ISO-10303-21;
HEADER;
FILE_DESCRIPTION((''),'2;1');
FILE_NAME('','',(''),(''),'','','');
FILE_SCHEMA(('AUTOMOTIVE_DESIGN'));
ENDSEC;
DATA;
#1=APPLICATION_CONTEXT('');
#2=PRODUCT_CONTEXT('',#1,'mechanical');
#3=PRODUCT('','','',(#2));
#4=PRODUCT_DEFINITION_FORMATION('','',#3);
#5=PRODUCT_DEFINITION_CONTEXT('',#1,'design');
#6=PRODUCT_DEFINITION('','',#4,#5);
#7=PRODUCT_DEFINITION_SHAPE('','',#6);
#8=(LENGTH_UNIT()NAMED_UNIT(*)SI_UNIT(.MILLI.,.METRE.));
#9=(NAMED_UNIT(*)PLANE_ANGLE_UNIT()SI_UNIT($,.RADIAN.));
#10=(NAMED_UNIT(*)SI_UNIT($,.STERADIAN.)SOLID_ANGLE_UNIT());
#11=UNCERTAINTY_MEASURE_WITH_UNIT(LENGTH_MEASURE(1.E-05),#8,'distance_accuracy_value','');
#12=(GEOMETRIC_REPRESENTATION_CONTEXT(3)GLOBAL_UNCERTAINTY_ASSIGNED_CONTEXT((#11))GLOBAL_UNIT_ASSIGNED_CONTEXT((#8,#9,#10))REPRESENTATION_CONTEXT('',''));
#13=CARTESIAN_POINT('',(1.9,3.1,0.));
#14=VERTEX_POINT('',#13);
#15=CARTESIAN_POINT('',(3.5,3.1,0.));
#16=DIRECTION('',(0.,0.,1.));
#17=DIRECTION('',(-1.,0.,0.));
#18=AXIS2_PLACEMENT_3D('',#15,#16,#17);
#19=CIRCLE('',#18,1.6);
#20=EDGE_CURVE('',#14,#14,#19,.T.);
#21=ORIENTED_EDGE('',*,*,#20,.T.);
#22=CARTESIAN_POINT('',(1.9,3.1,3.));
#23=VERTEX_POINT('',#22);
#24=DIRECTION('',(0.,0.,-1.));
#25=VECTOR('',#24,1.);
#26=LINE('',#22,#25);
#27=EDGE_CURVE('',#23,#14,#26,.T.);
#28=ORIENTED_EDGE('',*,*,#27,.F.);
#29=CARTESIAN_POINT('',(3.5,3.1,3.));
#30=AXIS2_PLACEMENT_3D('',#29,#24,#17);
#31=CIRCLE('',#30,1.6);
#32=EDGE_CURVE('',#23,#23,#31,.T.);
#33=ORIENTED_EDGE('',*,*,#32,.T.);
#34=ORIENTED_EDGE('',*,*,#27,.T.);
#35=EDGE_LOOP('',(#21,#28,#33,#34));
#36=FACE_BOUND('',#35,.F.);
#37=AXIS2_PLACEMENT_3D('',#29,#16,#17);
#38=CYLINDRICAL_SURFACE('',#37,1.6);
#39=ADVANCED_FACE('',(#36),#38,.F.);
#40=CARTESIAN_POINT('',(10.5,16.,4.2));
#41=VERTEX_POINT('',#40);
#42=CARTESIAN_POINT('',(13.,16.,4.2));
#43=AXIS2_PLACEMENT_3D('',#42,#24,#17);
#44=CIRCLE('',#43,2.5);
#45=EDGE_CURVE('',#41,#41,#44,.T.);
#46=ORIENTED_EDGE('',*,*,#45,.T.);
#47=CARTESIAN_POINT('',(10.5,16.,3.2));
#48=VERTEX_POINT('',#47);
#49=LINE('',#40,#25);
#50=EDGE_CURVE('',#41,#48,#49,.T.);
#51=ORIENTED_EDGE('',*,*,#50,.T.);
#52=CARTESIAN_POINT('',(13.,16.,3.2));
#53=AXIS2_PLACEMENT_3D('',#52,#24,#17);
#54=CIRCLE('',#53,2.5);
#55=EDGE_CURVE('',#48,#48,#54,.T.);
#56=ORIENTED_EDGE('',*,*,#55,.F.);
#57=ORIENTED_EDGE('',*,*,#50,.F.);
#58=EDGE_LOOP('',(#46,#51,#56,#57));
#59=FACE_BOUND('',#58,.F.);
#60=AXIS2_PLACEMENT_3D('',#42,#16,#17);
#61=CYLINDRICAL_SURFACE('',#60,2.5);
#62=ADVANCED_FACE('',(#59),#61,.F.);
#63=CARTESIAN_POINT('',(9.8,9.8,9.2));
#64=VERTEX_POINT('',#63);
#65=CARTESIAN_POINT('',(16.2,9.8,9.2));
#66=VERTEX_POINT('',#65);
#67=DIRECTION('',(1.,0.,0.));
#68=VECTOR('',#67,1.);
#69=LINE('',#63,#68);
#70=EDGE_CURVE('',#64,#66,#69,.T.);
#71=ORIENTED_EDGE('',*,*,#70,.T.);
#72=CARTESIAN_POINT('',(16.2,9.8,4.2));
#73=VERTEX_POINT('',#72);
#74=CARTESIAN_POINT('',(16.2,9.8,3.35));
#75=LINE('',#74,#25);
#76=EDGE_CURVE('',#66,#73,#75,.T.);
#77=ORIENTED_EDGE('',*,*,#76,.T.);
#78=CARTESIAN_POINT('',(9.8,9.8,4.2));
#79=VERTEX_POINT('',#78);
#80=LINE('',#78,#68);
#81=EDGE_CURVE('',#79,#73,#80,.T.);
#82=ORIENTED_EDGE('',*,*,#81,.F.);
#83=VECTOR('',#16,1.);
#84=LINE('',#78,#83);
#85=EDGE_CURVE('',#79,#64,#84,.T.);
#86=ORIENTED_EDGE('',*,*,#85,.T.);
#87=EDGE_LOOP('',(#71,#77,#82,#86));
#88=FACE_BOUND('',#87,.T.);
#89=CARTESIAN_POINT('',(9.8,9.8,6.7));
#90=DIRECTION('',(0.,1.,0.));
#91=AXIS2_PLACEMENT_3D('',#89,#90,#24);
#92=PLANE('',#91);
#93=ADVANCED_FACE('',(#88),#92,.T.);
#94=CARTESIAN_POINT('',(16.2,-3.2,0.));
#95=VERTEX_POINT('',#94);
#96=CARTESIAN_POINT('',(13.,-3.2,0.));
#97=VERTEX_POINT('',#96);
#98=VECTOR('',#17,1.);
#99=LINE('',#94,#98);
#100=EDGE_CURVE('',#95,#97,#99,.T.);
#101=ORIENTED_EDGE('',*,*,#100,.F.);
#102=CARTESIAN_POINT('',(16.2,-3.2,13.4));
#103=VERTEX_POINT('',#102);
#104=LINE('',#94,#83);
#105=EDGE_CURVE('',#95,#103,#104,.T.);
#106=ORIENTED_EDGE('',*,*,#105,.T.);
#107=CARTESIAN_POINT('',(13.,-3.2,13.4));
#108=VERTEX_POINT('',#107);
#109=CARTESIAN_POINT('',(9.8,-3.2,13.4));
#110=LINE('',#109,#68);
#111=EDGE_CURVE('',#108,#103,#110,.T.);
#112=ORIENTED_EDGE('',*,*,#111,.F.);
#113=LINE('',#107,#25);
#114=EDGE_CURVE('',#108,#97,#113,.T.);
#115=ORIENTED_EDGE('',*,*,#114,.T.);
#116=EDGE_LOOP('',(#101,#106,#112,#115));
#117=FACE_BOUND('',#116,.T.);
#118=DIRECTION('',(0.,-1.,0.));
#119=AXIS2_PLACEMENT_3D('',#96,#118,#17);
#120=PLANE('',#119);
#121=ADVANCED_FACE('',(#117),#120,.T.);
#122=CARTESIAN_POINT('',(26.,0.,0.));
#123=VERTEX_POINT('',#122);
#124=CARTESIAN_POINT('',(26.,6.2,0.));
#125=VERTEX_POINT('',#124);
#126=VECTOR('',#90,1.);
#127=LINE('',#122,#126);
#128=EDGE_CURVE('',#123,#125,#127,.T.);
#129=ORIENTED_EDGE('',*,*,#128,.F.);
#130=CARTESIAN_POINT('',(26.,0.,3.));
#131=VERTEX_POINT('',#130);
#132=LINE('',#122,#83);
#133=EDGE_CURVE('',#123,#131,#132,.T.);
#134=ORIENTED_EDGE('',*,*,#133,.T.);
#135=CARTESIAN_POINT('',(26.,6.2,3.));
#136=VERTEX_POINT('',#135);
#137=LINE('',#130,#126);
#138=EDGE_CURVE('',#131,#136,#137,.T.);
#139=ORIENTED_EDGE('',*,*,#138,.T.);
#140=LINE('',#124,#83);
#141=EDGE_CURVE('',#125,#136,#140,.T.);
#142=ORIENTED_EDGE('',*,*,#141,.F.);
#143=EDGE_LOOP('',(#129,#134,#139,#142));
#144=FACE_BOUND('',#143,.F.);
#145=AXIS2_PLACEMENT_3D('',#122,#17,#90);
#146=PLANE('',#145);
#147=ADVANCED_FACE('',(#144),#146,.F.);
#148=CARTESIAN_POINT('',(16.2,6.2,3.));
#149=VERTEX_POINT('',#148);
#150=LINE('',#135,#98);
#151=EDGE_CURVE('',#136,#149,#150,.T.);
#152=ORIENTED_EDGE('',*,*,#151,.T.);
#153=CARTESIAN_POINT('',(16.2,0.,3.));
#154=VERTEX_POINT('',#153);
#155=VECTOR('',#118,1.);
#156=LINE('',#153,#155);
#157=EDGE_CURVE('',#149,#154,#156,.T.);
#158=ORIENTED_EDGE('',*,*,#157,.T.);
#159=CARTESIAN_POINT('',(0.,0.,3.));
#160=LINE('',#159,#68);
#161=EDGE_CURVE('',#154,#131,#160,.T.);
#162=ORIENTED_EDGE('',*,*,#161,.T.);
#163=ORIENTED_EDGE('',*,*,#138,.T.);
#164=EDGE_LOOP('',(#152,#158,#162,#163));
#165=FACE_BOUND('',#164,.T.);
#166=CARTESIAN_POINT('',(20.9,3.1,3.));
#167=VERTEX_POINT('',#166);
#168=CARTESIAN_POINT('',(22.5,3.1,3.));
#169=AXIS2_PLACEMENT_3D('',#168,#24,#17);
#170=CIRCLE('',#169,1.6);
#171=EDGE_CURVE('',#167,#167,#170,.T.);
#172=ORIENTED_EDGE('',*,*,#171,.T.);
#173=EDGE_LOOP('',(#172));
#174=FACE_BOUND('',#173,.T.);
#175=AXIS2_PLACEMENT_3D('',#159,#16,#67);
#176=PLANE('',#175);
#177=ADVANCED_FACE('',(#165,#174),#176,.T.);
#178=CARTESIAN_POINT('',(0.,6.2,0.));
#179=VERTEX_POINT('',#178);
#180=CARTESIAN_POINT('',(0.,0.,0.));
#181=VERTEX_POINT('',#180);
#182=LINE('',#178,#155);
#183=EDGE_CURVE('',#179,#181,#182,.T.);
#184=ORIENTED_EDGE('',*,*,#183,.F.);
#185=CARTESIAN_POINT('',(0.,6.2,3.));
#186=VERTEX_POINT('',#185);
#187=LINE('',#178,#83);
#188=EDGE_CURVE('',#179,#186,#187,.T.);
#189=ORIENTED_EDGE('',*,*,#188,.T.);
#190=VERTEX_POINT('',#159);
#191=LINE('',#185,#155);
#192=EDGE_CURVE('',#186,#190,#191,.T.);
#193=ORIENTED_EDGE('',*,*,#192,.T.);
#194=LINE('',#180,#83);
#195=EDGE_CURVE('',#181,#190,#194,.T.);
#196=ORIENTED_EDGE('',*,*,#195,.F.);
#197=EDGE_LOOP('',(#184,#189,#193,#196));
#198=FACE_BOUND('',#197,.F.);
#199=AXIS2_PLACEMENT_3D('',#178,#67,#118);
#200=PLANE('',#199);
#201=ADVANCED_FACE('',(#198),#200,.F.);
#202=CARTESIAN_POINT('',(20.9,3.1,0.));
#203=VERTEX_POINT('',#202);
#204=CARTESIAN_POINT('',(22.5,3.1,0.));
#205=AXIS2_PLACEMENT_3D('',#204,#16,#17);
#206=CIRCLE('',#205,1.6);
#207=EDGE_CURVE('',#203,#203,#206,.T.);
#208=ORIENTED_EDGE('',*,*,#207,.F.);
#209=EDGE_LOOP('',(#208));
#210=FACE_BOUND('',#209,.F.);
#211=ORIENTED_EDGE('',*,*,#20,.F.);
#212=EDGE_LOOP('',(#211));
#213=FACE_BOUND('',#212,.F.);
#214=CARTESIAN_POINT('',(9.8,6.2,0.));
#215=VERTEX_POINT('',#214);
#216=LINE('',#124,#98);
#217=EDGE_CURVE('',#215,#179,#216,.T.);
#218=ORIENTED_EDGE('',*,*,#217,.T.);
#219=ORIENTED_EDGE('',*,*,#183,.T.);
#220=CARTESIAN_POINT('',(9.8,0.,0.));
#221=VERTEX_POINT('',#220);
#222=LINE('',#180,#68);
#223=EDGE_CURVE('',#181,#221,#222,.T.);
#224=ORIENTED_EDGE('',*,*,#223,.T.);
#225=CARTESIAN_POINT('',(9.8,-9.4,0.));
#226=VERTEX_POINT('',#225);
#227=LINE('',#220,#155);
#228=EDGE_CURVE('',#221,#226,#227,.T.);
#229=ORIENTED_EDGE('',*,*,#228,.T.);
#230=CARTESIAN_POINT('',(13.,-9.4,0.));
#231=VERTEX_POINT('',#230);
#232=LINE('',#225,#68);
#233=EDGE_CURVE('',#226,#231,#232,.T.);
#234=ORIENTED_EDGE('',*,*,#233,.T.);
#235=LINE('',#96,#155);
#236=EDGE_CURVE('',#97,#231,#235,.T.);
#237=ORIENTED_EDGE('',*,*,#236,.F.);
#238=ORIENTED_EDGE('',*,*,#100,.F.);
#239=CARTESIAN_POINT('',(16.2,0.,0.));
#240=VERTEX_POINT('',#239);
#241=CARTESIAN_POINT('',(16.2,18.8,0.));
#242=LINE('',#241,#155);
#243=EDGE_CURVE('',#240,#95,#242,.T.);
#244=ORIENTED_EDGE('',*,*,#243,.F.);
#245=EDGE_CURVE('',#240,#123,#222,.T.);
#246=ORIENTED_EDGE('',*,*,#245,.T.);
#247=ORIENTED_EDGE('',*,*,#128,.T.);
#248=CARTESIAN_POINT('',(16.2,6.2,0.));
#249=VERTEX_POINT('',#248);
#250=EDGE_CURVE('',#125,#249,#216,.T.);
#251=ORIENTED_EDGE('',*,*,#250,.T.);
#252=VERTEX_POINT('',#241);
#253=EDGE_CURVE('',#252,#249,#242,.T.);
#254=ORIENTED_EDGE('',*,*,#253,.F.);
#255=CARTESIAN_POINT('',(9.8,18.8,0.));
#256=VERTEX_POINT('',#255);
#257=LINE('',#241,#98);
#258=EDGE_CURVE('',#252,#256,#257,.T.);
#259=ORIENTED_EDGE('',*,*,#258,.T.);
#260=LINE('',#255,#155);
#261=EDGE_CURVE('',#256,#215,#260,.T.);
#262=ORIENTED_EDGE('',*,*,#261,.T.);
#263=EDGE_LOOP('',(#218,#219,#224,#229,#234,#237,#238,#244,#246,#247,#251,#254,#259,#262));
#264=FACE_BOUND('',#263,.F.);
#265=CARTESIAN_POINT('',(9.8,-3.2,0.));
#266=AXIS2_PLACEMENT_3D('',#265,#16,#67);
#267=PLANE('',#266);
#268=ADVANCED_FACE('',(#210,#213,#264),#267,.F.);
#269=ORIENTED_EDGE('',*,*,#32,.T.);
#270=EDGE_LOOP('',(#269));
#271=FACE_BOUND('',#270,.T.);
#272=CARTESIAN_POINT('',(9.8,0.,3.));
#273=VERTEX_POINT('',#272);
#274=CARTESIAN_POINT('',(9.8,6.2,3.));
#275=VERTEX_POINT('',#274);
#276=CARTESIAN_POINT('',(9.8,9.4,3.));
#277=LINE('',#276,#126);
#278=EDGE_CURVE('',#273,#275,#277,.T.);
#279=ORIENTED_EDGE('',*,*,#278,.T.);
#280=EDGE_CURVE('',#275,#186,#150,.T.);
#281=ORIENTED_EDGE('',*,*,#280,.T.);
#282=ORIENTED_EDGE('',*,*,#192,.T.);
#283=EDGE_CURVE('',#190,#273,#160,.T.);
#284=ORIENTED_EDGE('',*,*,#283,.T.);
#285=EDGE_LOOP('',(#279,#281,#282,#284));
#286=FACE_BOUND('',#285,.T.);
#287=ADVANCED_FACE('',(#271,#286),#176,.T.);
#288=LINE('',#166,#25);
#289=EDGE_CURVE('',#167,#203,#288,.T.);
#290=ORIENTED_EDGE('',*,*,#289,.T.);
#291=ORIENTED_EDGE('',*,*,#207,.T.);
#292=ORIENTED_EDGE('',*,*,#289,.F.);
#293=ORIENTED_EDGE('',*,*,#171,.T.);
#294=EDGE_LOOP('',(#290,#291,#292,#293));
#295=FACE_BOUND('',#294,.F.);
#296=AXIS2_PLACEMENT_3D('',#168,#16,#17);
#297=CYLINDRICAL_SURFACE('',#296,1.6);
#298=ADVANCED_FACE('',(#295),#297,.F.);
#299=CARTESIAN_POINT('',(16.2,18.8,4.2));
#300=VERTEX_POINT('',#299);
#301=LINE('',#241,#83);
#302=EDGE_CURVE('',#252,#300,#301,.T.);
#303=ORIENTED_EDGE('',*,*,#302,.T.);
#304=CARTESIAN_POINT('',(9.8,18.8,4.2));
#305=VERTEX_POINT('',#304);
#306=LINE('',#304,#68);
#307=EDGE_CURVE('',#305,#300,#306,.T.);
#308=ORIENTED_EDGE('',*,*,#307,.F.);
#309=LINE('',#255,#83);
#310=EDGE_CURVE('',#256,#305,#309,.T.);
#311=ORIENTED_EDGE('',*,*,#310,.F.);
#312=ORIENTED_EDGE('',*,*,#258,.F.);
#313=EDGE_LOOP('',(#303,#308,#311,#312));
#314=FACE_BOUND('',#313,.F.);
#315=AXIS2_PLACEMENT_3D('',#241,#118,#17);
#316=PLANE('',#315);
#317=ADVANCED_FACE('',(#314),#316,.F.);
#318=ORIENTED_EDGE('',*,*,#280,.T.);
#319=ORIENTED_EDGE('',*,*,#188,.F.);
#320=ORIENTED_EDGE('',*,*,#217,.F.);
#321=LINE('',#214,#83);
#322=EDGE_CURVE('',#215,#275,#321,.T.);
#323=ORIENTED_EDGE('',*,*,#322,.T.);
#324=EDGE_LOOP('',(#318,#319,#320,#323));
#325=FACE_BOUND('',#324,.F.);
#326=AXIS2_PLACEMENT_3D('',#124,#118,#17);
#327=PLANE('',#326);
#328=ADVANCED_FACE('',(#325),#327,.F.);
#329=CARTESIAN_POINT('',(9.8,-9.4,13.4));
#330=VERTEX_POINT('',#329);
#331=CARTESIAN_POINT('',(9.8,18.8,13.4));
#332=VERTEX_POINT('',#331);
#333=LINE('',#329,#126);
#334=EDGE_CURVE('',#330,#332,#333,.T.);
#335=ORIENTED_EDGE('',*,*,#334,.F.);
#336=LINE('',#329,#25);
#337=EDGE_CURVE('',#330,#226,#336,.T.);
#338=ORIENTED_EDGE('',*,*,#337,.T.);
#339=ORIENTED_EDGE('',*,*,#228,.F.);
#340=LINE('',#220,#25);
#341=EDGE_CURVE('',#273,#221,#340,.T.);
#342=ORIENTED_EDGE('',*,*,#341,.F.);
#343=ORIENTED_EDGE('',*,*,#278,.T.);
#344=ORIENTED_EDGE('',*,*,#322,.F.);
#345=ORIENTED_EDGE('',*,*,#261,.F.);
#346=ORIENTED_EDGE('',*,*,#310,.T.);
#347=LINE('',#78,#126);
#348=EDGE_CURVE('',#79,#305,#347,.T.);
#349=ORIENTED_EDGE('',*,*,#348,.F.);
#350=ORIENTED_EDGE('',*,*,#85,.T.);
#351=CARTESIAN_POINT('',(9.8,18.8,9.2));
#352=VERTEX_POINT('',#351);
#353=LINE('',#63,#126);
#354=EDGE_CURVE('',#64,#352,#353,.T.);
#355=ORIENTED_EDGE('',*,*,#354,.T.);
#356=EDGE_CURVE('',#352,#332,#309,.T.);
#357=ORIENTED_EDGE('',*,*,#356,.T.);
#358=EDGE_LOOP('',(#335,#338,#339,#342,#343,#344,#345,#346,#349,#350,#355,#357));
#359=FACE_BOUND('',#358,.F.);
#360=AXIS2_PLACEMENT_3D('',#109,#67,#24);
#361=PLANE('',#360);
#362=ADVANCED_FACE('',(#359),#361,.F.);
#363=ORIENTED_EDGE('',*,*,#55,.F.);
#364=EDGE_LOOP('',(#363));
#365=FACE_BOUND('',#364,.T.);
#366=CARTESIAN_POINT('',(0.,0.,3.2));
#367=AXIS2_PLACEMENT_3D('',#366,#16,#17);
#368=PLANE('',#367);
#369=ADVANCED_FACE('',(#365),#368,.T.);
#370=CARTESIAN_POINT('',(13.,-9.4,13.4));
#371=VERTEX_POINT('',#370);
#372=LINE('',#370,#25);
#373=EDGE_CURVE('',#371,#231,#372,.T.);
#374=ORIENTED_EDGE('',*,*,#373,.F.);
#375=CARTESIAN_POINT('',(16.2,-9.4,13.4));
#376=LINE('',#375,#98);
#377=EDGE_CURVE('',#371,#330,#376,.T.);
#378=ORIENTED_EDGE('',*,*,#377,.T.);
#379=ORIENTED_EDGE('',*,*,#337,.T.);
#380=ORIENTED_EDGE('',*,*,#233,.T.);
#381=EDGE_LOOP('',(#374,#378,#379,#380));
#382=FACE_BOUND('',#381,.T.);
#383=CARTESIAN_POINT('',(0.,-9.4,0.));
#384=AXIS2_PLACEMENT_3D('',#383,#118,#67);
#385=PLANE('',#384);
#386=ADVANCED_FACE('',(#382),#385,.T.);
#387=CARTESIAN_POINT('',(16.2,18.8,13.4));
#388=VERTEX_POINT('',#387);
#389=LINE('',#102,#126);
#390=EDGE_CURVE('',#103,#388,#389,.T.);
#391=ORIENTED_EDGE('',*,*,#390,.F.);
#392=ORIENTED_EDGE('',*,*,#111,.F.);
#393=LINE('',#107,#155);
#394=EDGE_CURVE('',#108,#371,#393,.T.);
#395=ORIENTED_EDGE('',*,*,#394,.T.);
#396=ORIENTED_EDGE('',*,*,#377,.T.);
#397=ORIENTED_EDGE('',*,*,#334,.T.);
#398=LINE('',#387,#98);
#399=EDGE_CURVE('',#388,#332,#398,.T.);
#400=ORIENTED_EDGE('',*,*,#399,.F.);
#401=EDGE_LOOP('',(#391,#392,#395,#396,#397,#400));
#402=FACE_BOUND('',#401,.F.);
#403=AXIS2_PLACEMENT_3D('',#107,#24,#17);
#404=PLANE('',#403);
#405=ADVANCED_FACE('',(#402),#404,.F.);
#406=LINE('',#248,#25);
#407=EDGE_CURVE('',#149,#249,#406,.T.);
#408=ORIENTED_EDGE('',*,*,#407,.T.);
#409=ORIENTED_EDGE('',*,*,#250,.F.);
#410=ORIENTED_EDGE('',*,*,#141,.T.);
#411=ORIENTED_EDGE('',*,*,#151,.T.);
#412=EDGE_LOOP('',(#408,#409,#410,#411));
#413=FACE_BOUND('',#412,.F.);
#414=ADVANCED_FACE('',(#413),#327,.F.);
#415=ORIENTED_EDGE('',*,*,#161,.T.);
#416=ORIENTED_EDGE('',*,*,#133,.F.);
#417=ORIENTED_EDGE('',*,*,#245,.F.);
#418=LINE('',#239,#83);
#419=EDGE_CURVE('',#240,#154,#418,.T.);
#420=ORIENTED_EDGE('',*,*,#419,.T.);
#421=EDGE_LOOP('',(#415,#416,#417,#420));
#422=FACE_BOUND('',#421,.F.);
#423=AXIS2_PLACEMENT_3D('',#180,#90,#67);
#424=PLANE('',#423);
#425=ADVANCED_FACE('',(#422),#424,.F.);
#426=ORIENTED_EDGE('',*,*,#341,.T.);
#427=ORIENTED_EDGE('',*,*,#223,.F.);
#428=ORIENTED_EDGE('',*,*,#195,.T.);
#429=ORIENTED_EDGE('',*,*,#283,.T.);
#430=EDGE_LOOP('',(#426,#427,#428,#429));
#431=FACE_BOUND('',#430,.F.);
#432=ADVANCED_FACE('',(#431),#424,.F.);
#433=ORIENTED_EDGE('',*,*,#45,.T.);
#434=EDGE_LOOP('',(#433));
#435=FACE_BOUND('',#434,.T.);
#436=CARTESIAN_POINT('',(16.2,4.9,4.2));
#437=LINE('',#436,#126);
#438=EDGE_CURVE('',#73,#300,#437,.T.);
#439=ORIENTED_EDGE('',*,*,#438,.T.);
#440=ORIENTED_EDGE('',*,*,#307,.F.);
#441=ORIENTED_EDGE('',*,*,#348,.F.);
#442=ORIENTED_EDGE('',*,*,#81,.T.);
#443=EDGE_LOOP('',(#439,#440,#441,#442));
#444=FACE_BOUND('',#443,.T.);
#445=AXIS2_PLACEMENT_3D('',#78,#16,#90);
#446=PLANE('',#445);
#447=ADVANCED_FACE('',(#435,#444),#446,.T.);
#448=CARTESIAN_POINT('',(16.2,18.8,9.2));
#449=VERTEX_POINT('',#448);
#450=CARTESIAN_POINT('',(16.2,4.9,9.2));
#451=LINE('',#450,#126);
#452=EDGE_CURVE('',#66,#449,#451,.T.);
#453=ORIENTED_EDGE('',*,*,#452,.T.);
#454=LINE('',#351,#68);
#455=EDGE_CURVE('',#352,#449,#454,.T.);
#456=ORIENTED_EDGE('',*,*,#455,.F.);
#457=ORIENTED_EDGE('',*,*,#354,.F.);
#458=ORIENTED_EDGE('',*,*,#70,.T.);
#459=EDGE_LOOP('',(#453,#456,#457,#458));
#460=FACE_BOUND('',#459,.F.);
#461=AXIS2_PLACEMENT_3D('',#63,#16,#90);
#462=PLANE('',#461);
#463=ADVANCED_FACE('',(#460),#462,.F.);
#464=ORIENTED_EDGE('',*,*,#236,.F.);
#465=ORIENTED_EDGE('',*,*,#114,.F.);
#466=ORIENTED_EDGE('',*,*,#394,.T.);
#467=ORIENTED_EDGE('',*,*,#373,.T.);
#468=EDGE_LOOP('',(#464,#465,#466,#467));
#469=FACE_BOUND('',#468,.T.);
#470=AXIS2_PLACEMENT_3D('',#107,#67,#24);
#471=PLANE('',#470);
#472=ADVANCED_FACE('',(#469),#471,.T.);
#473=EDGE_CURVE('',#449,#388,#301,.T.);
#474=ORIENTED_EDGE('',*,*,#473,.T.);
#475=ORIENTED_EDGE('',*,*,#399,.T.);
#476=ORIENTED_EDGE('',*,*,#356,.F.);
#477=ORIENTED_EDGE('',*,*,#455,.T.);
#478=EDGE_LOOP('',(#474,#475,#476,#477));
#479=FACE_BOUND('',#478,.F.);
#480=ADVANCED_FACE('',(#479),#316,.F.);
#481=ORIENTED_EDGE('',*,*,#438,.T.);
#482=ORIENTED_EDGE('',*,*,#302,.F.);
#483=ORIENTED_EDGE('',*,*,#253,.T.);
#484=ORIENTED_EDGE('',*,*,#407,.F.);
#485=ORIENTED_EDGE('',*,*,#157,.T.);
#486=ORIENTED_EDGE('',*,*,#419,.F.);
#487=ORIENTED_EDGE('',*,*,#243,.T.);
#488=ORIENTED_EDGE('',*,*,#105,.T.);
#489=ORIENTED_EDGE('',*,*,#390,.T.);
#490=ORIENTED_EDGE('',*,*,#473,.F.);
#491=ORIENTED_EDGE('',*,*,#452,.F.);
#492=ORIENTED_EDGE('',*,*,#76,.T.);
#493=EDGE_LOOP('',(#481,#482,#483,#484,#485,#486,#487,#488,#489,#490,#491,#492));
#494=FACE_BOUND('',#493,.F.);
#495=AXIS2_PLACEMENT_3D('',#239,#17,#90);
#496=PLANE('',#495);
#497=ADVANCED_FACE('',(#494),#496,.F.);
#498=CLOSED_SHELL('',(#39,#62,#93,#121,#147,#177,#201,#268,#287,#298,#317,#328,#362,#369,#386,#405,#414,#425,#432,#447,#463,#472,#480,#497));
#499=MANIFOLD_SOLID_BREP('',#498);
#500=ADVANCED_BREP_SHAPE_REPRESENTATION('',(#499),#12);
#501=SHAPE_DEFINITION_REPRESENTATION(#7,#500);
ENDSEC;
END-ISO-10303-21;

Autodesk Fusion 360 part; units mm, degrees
sketch "Sketch1" plane through (0, 0, 0) normal (0, 0, 1) x (1, 0, 0)
  line L0 (0, 0) -> (26, 0)
  line L1 (26, 0) -> (26, 6.2)
  line L2 (26, 6.2) -> (0, 6.2)
  line L3 (0, 6.2) -> (0, 0)
  dimension "d1" = 26
  dimension "d2" = 6.2
extrude "Extrude1" add sketch "Sketch1" along normal blind 3
sketch "Sketch2" plane through (0, 0, 0) normal (0, 0, 1) x (1, 0, 0)
  line L0 (0, 0) -> (13, 0)
  line L1 (13, 0) -> (13, -3.2)
  line L2 (13, -3.2) -> (9.8, -3.2)
  line L3 (9.8, -3.2) -> (9.8, 0)
  line L4 (9.8, 0) -> (13, 0)
  line L5 (13, 0) -> (13, -3.2)
  line L6 (13, -3.2) -> (16.2, -3.2)
  line L7 (16.2, -3.2) -> (16.2, 0)
  line L8 (16.2, 0) -> (13, 0)
  line L9 (13, 0) -> (13, -3.2)
  line L10 (9.8, -3.2) -> (16.2, -3.2)
  line L11 (16.2, -3.2) -> (16.2, 18.8)
  line L12 (16.2, 18.8) -> (9.8, 18.8)
  line L13 (9.8, 18.8) -> (9.8, -3.2)
  dimension "d5" = 13
  dimension "d6" = 3.2
  dimension "d7" = 3.2
  dimension "d8" = 3.2
  dimension "d9" = 6.4
  dimension "d10" = 22
extrude "Extrude2" add sketch "Sketch2" along normal blind 13.4
sketch "Sketch3" plane through (0, -3.2, 0) normal (0, -1, 0) x (1, 0, 0)
  line L0 (9.8, 0) -> (16.2, 0)
  line L1 (16.2, 0) -> (16.2, 13.4)
  line L2 (16.2, 13.4) -> (9.8, 13.4)
  line L3 (9.8, 13.4) -> (9.8, 0)
  line L4 (9.8, 13.4) -> (13, 13.4)
  line L5 (13, 13.4) -> (13, 0)
  line L6 (13, 0) -> (9.8, 0)
  line L7 (9.8, 0) -> (9.8, 13.4)
extrude "Extrude3" add sketch "Sketch3" along normal blind 6.2 contours L0 L2 L3 L4 L5 L6 L7
sketch "Sketch4" plane through (0, 0, 3) normal (0, 0, 1) x (-1, 0, 0)
  line L0 (-9.8, 0) -> (-9.8, -6.2)
  line L1 (-9.8, -6.2) -> (0, -6.2)
  line L2 (0, -6.2) -> (0, 0)
  line L3 (0, 0) -> (-9.8, 0)
  line L4 (-13, 3) -> (-13, -19)
  line L5 (-13, -19) -> (-13, 3)
  line L6 (0, -3.1) -> (-26, -3.1)
  line L7 (-13, -3.1) -> (-3.5, -3.1)
  line L8 (-13, -3.1) -> (-22.5, -3.1)
  circle A0 centre (-3.5, -3.1) radius 1.6
  circle A1 centre (-22.5, -3.1) radius 1.6
  dimension "d15" = 9.5
  dimension "d16" = 9.5
  dimension "d17" = 3.2
  dimension "d18" = 3.2
extrude "Extrude4" cut sketch "Sketch4" against normal blind 17 contours L6 L8 A1 | L6 L8 A1 | L6 L7 A0 | L6 L7 A0
sketch "Sketch5" plane through (9.8, 0, 0) normal (-1, 0, 0) x (0, -1, 0)
  line L0 (-6.2, 0) -> (-6.2, 3)
  line L1 (-6.2, 3) -> (0, 3)
  line L2 (0, 3) -> (0, 0)
  line L3 (0, 0) -> (9.4, 0)
  line L4 (9.4, 0) -> (9.4, 13.4)
  line L5 (9.4, 13.4) -> (-18.8, 13.4)
  line L6 (-18.8, 13.4) -> (-18.8, 0)
  line L7 (-18.8, 0) -> (-6.2, 0)
  line L8 (-18.8, 6.7) -> (-9.8, 6.7)
  line L9 (-9.8, 6.7) -> (-9.8, 9.2)
  line L10 (-9.8, 9.2) -> (-18.8, 9.2)
  line L11 (-18.8, 9.2) -> (-18.8, 6.7)
  line L12 (-18.8, 6.7) -> (-9.8, 6.7)
  line L13 (-9.8, 6.7) -> (-9.8, 4.2)
  line L14 (-9.8, 4.2) -> (-18.8, 4.2)
  line L15 (-18.8, 4.2) -> (-18.8, 6.7)
  dimension "d21" = 9
  dimension "d22" = 2.5
  dimension "d23" = 2.5
extrude "Extrude5" cut sketch "Sketch5" against normal blind 17 contours L6 L8 L12 L13 L14 L15 | L6 L8 L9 L10 L11 L12
sketch "Sketch6" plane through (0, 0, 4.2) normal (0, 0, 1) x (-1, 0, 0)
  line L0 (-16.2, -9.8) -> (-16.2, -18.8)
  line L1 (-16.2, -18.8) -> (-9.8, -18.8)
  line L2 (-9.8, -18.8) -> (-9.8, -9.8)
  line L3 (-9.8, -9.8) -> (-16.2, -9.8)
  line L4 (-13, -3) -> (-13, -16)
  circle A0 centre (-13, -16) radius 2.5
  dimension "d26" = 13
  dimension "d27" = 5
extrude "Extrude6" cut sketch "Sketch6" against normal blind 1 contours A0
